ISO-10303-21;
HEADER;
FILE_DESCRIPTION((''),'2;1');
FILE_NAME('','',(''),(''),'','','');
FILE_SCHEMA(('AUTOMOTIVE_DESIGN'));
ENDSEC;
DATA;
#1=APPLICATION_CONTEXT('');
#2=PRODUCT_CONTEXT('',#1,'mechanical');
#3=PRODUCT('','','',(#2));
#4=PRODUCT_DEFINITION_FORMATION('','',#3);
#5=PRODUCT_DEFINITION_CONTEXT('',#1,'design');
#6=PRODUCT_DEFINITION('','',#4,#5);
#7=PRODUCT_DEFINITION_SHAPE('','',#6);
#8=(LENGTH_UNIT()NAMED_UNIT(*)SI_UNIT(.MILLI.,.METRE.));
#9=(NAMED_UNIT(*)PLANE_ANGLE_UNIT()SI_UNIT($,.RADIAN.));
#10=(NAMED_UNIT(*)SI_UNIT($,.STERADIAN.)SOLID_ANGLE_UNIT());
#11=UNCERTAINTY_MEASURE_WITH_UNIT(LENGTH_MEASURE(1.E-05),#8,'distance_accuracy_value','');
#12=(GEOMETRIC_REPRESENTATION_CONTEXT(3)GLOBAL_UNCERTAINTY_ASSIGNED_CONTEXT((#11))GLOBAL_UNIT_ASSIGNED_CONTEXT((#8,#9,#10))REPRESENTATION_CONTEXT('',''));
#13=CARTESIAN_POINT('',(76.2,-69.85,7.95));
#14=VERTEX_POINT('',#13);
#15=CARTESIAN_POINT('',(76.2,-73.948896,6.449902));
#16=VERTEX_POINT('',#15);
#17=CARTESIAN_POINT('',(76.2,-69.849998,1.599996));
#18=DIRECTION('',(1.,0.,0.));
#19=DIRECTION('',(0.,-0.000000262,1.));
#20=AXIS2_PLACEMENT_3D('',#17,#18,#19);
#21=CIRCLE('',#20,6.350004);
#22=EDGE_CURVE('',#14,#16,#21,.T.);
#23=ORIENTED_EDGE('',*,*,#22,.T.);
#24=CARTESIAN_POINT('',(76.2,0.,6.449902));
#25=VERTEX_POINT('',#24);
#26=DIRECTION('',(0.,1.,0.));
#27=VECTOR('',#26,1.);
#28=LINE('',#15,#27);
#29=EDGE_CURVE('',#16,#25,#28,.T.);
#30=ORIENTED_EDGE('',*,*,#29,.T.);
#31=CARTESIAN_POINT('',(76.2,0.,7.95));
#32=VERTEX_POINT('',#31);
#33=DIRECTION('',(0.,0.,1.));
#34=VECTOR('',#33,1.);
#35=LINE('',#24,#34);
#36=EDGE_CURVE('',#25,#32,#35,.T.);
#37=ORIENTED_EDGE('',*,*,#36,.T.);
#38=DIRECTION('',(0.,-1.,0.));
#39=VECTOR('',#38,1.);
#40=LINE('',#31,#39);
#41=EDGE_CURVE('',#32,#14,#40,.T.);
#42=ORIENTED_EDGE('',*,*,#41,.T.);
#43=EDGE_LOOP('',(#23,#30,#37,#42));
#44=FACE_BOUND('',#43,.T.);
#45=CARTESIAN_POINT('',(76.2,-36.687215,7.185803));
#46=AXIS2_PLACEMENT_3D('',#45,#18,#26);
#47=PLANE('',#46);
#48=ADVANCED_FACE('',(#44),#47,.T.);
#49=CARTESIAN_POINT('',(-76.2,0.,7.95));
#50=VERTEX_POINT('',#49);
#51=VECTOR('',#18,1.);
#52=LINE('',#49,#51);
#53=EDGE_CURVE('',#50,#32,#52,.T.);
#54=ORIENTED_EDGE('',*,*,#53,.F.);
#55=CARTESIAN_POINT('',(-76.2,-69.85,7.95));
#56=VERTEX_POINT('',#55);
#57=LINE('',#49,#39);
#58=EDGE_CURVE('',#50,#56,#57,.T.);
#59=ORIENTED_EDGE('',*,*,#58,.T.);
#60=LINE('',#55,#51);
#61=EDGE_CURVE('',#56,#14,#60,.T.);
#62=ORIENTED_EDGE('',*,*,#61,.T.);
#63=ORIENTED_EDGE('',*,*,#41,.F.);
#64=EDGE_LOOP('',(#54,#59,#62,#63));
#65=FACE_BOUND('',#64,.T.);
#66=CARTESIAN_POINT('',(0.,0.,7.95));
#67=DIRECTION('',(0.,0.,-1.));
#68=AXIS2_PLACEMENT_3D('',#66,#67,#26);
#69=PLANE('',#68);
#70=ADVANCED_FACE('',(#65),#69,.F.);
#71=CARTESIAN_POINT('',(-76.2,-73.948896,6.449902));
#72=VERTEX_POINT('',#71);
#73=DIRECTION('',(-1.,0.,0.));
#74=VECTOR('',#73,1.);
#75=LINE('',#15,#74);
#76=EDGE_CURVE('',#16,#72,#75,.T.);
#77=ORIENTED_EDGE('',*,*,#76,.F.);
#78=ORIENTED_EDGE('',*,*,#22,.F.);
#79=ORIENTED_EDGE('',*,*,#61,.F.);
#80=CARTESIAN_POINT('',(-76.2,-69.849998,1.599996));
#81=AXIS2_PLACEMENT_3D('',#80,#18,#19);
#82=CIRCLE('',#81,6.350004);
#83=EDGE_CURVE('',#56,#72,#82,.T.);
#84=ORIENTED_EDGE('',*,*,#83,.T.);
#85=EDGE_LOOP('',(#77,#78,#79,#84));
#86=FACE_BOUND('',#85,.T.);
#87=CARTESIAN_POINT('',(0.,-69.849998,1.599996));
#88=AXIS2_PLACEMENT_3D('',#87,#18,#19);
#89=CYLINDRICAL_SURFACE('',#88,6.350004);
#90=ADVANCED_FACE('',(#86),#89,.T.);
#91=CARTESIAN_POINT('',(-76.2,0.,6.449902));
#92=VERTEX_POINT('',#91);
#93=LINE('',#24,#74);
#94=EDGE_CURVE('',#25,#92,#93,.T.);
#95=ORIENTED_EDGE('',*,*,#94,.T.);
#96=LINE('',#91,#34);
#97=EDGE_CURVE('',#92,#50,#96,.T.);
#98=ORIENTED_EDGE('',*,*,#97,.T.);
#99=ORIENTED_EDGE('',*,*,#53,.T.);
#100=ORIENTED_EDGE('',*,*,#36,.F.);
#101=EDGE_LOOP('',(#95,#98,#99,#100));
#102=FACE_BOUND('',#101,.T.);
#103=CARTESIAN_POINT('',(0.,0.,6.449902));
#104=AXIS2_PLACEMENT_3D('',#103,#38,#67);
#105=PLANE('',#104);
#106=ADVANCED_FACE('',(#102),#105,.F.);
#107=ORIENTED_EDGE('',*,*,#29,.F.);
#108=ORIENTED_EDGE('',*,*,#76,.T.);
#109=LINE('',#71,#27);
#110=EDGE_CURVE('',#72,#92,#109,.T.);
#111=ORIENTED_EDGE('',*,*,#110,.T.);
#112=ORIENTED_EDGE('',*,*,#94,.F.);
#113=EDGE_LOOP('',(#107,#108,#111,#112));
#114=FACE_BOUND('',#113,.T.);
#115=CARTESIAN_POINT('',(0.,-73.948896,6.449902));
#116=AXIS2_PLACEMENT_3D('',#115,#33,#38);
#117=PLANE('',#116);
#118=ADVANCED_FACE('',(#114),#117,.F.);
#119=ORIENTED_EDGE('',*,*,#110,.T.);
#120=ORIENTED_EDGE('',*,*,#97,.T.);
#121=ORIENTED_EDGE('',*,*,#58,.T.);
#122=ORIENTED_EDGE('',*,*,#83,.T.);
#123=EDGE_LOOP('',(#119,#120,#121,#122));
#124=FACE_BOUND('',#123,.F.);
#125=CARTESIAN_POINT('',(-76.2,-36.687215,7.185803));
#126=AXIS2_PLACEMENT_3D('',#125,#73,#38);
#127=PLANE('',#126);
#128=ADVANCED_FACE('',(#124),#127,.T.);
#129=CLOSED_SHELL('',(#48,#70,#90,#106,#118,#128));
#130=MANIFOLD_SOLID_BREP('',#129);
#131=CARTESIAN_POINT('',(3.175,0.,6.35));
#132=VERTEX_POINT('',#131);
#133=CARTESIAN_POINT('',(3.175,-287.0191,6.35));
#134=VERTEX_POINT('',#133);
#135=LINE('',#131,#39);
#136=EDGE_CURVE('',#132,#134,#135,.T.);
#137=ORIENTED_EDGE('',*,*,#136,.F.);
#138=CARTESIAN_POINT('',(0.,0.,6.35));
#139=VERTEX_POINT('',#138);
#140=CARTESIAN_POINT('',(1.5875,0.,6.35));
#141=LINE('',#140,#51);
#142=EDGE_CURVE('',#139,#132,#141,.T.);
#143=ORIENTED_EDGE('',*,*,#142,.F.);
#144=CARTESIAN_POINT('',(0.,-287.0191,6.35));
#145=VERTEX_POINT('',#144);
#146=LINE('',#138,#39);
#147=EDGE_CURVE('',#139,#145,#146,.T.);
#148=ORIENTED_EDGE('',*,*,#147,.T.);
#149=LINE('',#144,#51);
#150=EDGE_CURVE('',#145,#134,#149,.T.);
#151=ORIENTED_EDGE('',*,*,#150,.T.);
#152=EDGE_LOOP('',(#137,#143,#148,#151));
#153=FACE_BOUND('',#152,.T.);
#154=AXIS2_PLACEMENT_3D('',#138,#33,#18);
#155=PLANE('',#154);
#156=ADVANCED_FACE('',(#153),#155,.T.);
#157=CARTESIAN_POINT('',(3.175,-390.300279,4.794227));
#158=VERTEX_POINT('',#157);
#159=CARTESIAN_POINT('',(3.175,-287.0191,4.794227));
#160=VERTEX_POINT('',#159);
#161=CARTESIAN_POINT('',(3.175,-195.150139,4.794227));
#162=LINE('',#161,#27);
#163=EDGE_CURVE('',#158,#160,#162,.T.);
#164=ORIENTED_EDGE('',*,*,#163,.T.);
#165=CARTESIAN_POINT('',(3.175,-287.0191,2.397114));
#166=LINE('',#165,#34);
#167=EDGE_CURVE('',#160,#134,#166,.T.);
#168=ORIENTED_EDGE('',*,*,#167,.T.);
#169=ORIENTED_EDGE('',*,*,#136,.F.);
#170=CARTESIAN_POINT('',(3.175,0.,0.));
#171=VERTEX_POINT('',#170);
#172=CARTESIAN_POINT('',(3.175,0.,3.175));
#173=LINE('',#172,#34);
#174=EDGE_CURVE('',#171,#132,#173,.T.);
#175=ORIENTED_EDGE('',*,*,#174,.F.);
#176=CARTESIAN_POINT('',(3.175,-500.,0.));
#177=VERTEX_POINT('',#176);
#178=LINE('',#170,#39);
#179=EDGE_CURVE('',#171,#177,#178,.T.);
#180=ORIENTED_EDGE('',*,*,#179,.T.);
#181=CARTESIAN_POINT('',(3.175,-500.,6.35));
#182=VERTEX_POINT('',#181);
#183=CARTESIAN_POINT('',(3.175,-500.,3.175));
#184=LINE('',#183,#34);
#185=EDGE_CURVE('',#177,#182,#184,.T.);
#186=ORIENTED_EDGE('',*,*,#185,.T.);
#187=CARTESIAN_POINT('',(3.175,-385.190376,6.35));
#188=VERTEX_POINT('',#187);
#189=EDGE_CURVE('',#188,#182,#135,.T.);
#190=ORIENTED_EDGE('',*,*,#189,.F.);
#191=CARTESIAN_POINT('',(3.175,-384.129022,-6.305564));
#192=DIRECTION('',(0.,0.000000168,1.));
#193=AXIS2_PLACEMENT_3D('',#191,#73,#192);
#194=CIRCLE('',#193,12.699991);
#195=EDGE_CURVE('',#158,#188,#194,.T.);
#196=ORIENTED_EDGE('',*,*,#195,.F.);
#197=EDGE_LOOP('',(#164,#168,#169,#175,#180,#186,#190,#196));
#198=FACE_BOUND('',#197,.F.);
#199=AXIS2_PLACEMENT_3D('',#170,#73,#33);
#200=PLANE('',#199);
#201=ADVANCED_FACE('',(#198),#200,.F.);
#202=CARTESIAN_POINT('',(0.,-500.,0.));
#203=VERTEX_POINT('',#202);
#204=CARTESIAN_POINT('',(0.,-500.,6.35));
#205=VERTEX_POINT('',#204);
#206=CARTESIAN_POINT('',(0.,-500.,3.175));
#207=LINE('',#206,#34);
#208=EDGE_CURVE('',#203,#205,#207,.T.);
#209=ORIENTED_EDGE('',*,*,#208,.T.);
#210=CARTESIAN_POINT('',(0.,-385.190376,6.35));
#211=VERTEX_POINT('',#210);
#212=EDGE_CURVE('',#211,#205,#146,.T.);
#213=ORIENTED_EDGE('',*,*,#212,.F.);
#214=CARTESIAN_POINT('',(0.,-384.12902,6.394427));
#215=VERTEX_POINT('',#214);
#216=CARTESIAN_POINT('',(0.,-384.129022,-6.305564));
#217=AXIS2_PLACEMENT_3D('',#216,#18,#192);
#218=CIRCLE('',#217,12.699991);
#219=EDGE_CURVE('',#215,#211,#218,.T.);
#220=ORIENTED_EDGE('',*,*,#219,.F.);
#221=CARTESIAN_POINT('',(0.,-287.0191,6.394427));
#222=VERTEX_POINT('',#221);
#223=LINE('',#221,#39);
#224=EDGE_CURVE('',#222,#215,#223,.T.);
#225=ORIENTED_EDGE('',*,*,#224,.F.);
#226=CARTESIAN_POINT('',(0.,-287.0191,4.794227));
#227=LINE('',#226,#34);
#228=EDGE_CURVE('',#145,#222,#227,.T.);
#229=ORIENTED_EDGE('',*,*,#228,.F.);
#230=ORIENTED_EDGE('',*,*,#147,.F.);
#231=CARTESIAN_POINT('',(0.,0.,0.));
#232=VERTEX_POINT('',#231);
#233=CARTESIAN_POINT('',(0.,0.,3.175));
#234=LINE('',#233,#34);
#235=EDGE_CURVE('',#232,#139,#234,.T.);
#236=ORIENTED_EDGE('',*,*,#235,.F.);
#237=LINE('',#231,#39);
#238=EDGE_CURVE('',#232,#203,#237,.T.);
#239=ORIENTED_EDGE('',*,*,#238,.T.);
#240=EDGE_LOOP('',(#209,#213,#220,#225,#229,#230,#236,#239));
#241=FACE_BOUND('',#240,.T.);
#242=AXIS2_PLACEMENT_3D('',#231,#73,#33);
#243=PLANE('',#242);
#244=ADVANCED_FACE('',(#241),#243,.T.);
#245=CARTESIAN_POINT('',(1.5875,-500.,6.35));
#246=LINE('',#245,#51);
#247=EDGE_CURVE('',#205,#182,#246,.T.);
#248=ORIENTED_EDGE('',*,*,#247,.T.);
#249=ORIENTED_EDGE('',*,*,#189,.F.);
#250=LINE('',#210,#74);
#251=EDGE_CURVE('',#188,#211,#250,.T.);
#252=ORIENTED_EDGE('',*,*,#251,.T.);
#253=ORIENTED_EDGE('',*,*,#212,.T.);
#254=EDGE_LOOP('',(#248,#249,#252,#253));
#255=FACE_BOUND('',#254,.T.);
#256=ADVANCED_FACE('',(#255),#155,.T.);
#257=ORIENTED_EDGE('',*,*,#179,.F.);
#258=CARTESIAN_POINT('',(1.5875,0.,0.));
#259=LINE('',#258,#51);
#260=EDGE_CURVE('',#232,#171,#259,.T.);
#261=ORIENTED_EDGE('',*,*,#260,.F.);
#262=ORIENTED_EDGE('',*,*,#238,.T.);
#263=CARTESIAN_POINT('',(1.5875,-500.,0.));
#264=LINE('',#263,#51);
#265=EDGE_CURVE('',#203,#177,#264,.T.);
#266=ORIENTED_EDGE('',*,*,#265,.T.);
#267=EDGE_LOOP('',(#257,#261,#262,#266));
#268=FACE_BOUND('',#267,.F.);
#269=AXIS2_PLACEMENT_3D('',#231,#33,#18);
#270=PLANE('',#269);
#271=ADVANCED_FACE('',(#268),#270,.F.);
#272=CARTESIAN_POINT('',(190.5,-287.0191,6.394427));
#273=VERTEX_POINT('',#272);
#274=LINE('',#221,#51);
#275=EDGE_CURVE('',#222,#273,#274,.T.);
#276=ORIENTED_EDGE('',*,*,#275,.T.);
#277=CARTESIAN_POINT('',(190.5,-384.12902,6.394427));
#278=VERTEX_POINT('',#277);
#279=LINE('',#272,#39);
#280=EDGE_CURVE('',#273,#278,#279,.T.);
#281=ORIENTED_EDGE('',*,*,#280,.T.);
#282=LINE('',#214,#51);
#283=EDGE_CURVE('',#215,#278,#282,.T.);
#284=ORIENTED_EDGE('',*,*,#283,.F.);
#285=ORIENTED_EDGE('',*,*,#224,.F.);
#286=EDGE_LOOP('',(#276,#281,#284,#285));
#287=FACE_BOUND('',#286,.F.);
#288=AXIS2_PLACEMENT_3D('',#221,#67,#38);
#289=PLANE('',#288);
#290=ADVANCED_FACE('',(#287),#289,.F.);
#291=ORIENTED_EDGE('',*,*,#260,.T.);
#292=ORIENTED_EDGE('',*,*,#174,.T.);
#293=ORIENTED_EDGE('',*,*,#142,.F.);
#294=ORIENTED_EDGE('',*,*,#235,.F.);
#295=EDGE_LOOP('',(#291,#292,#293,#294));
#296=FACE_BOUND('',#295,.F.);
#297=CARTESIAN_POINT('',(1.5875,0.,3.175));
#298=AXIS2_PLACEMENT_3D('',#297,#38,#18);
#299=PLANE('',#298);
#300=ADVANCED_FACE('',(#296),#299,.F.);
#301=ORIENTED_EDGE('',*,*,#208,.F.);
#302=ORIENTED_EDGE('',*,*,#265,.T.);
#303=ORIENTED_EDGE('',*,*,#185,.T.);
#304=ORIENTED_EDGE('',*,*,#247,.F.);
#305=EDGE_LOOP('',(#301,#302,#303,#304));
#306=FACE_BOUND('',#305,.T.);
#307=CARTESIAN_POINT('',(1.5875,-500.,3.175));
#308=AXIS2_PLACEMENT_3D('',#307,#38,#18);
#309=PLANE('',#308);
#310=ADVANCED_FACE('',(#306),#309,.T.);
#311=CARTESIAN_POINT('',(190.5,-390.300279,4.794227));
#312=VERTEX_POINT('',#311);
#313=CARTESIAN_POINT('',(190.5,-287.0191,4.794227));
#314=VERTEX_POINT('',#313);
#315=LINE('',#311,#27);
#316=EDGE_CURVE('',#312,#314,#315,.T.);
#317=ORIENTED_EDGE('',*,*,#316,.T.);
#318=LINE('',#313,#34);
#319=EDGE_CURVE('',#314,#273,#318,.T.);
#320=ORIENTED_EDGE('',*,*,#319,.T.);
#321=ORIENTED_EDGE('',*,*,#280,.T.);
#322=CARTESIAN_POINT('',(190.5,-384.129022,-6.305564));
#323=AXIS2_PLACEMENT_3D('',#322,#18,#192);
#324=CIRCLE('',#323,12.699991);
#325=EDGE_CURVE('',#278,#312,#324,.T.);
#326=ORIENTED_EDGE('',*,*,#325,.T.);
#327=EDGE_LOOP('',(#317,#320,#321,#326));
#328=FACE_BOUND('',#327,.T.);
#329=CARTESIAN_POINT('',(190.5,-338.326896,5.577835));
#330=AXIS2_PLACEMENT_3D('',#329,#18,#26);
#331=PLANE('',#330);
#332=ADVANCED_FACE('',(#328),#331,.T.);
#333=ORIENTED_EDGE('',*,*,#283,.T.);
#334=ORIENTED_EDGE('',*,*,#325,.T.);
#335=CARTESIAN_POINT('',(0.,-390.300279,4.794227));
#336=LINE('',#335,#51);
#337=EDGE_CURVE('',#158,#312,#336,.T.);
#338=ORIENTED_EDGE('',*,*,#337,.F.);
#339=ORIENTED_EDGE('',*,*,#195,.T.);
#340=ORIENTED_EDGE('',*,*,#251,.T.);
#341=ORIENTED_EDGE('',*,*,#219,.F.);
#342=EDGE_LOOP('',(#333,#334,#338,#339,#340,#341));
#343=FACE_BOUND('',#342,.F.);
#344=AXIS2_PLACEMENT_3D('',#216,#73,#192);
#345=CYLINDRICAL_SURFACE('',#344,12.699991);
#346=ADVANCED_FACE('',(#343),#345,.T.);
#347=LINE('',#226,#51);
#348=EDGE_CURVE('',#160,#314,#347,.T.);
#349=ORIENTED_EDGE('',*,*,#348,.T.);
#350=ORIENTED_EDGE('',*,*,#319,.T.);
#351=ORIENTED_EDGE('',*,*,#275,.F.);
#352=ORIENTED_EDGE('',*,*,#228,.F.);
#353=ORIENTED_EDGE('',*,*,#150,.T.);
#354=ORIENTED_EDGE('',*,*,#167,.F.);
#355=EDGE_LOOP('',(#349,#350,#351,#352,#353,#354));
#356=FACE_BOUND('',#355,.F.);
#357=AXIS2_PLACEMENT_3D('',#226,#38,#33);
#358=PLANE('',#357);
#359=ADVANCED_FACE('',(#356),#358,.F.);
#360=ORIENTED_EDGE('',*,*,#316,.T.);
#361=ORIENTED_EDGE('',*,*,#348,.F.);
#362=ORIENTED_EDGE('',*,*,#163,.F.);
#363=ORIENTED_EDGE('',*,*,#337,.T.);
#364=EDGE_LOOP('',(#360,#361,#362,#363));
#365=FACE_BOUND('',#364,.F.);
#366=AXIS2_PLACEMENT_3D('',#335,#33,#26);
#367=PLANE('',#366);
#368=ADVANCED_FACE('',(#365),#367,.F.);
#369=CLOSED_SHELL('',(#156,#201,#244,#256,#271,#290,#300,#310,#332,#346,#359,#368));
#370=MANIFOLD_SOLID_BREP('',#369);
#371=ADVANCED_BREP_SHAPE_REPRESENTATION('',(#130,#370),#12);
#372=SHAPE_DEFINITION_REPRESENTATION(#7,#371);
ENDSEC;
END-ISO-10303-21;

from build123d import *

# Parameters (mm, degrees)
F0_W     = 3.175
F0_H     = 6.35
F1_DEPTH = 500
F3_DEPTH = 76.2
F6_DEPTH = 190.5


with BuildPart() as f1:
    # F0 (on Front) → F1 (new body)
    with BuildSketch(Plane.XZ):
        with Locations((1.5875, 3.175)):
            Rectangle(F0_W, F0_H)
    extrude(amount=F1_DEPTH)

    # F5 (on Right) → F6 (join)
    with BuildSketch(Plane.YZ):
        with BuildLine():
            Line((-390.300279, 4.794227), (-287.0191, 4.794227))
            Line((-287.0191, 4.794227), (-287.0191, 6.394427))
            Line((-287.0191, 6.394427), (-384.12902, 6.394427))
            ThreePointArc((-384.12902, 6.394427), (-387.316694, 5.98787), (-390.300279, 4.794227))
        make_face()
    extrude(amount=F6_DEPTH)


with BuildPart() as f3:
    # F2 (on Right) → F3 (new body)
    with BuildSketch(Plane.YZ):
        with BuildLine():
            Line((0, 6.449902), (0, 7.95))
            Line((0, 7.95), (-69.85, 7.95))
            ThreePointArc((-69.85, 7.95), (-72.032387, 7.563194), (-73.948896, 6.449902))
            Line((-73.948896, 6.449902), (0, 6.449902))
        make_face()
    extrude(amount=F3_DEPTH)

    # F4: F3 across plane


with BuildPart() as f3_1:
    add(f3.part)
    add(f3.part.mirror(Plane.YZ))


solid = Compound([f1.part, f3_1.part])
